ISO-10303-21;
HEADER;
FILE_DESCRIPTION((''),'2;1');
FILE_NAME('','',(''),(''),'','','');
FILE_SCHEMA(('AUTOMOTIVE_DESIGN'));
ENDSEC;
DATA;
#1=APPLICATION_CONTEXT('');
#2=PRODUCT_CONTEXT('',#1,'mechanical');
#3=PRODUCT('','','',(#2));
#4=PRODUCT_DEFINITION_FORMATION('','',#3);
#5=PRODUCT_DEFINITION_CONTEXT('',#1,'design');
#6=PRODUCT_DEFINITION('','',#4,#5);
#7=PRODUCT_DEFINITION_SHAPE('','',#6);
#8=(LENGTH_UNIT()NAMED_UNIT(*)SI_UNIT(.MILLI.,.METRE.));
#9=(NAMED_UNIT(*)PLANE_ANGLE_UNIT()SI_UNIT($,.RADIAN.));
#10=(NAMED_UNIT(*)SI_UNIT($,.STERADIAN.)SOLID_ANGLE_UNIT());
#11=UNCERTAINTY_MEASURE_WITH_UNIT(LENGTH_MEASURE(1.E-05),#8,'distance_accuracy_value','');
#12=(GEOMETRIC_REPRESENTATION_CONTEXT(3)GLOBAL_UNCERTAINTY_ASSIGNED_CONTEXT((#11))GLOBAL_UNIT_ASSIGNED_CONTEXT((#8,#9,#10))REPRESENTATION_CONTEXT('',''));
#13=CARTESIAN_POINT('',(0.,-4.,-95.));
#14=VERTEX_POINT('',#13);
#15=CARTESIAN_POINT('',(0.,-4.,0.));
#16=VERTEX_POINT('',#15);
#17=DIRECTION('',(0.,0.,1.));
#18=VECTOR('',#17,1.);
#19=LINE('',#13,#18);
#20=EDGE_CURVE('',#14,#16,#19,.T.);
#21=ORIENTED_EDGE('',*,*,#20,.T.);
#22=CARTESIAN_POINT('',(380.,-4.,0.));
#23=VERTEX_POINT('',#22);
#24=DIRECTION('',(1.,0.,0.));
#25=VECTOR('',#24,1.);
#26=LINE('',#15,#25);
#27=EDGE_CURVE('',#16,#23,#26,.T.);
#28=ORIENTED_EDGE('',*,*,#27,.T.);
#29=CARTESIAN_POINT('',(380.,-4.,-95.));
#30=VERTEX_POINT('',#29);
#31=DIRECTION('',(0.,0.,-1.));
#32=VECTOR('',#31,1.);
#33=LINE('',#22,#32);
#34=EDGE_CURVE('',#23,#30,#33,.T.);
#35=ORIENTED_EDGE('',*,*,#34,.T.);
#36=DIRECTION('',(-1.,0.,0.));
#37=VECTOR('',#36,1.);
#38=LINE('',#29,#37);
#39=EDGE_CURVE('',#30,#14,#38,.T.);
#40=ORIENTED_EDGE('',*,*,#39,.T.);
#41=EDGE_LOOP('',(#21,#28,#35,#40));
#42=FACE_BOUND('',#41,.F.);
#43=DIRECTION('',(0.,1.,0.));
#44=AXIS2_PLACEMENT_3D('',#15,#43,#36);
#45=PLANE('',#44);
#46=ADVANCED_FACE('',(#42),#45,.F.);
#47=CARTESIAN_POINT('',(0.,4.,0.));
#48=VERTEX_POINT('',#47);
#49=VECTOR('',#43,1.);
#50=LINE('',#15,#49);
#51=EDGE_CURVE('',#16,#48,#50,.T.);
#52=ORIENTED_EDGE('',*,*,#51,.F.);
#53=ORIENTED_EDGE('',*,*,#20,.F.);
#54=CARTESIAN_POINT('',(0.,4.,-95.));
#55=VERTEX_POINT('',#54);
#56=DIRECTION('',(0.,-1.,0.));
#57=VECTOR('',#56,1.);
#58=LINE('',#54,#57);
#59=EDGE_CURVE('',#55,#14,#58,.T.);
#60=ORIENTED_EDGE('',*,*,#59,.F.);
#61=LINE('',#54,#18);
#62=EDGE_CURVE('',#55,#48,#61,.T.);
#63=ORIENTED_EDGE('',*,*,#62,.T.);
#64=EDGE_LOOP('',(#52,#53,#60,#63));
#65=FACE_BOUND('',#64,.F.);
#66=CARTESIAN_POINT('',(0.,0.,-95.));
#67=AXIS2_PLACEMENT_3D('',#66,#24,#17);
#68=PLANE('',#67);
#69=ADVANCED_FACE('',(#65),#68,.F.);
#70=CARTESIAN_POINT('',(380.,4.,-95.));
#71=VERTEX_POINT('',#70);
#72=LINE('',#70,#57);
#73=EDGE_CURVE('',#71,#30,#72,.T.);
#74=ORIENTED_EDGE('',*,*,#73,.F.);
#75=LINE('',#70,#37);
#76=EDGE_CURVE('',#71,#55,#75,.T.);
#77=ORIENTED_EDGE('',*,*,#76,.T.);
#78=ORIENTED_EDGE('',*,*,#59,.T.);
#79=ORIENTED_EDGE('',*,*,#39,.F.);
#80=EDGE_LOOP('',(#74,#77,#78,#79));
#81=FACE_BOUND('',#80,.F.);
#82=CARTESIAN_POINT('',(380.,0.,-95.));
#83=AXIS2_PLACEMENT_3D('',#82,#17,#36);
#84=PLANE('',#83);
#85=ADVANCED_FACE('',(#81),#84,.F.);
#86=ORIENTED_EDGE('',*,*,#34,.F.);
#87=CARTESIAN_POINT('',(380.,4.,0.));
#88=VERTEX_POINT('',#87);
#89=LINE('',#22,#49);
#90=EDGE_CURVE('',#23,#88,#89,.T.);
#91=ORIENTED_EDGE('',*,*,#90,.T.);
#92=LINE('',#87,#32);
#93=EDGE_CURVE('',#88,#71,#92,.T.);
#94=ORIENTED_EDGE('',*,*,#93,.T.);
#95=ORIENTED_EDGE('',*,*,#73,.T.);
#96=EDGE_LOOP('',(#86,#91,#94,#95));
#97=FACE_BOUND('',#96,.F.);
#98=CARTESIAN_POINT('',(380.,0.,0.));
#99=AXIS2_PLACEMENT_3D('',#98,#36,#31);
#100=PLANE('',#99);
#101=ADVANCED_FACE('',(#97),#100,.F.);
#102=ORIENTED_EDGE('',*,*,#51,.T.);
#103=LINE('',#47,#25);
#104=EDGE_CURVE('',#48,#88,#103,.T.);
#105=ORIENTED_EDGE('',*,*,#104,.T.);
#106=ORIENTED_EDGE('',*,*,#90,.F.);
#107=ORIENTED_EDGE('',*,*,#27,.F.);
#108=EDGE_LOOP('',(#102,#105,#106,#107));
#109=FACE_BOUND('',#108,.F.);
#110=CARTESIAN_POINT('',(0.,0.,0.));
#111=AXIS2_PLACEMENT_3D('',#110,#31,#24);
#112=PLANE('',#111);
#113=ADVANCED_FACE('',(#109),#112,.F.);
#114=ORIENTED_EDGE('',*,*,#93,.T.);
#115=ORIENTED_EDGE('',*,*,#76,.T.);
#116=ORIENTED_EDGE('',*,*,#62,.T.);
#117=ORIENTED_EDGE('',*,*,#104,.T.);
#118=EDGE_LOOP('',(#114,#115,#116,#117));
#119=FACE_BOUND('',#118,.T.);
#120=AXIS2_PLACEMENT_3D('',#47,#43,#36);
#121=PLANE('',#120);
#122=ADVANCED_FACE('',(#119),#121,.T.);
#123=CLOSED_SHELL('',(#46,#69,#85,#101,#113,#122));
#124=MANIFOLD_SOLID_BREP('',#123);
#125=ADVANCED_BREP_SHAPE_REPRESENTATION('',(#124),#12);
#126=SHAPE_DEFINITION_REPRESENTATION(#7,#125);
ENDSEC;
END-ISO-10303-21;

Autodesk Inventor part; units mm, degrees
ref_plane "YZ Plane" through (0, 0, 0) normal (1, 0, 0) x (0, 1, 0)
ref_plane "XZ Plane" through (0, 0, 0) normal (0, 1, 0) x (-1, 0, 0)
ref_plane "XY Plane" through (0, 0, 0) normal (0, 0, 1) x (1, 0, 0)
sketch "Esboço1" plane through (0, 0, 0) normal (0, 1, 0) x (-1, 0, 0)
  line L0 (0, 0) -> (-380, 0)
  line L1 (-380, 0) -> (-380, -95)
  line L2 (-380, -95) -> (0, -95)
  line L3 (0, -95) -> (0, 0)
  point P0 (0, -47.5)
  point P1 (-190, 0)
  dimension "d5" = 380
  dimension "d6" = 95
extrude "Extrusão1" add sketch "Esboço1" along normal mid plane 8
equation "\"d5\" = Largura"
equation "\"d6\" = Comprimento"
equation "\"d3\" = Altura"
equation "\"Altura\" = 8"
equation "\"Largura\" = 380"
equation "\"Comprimento\" = 95"
equation "\"Espessura_torre_base\" = 15 * Filamento"
equation "\"Filamento\" = 0.4"
properties part number "Base" material "Plástico PET"
